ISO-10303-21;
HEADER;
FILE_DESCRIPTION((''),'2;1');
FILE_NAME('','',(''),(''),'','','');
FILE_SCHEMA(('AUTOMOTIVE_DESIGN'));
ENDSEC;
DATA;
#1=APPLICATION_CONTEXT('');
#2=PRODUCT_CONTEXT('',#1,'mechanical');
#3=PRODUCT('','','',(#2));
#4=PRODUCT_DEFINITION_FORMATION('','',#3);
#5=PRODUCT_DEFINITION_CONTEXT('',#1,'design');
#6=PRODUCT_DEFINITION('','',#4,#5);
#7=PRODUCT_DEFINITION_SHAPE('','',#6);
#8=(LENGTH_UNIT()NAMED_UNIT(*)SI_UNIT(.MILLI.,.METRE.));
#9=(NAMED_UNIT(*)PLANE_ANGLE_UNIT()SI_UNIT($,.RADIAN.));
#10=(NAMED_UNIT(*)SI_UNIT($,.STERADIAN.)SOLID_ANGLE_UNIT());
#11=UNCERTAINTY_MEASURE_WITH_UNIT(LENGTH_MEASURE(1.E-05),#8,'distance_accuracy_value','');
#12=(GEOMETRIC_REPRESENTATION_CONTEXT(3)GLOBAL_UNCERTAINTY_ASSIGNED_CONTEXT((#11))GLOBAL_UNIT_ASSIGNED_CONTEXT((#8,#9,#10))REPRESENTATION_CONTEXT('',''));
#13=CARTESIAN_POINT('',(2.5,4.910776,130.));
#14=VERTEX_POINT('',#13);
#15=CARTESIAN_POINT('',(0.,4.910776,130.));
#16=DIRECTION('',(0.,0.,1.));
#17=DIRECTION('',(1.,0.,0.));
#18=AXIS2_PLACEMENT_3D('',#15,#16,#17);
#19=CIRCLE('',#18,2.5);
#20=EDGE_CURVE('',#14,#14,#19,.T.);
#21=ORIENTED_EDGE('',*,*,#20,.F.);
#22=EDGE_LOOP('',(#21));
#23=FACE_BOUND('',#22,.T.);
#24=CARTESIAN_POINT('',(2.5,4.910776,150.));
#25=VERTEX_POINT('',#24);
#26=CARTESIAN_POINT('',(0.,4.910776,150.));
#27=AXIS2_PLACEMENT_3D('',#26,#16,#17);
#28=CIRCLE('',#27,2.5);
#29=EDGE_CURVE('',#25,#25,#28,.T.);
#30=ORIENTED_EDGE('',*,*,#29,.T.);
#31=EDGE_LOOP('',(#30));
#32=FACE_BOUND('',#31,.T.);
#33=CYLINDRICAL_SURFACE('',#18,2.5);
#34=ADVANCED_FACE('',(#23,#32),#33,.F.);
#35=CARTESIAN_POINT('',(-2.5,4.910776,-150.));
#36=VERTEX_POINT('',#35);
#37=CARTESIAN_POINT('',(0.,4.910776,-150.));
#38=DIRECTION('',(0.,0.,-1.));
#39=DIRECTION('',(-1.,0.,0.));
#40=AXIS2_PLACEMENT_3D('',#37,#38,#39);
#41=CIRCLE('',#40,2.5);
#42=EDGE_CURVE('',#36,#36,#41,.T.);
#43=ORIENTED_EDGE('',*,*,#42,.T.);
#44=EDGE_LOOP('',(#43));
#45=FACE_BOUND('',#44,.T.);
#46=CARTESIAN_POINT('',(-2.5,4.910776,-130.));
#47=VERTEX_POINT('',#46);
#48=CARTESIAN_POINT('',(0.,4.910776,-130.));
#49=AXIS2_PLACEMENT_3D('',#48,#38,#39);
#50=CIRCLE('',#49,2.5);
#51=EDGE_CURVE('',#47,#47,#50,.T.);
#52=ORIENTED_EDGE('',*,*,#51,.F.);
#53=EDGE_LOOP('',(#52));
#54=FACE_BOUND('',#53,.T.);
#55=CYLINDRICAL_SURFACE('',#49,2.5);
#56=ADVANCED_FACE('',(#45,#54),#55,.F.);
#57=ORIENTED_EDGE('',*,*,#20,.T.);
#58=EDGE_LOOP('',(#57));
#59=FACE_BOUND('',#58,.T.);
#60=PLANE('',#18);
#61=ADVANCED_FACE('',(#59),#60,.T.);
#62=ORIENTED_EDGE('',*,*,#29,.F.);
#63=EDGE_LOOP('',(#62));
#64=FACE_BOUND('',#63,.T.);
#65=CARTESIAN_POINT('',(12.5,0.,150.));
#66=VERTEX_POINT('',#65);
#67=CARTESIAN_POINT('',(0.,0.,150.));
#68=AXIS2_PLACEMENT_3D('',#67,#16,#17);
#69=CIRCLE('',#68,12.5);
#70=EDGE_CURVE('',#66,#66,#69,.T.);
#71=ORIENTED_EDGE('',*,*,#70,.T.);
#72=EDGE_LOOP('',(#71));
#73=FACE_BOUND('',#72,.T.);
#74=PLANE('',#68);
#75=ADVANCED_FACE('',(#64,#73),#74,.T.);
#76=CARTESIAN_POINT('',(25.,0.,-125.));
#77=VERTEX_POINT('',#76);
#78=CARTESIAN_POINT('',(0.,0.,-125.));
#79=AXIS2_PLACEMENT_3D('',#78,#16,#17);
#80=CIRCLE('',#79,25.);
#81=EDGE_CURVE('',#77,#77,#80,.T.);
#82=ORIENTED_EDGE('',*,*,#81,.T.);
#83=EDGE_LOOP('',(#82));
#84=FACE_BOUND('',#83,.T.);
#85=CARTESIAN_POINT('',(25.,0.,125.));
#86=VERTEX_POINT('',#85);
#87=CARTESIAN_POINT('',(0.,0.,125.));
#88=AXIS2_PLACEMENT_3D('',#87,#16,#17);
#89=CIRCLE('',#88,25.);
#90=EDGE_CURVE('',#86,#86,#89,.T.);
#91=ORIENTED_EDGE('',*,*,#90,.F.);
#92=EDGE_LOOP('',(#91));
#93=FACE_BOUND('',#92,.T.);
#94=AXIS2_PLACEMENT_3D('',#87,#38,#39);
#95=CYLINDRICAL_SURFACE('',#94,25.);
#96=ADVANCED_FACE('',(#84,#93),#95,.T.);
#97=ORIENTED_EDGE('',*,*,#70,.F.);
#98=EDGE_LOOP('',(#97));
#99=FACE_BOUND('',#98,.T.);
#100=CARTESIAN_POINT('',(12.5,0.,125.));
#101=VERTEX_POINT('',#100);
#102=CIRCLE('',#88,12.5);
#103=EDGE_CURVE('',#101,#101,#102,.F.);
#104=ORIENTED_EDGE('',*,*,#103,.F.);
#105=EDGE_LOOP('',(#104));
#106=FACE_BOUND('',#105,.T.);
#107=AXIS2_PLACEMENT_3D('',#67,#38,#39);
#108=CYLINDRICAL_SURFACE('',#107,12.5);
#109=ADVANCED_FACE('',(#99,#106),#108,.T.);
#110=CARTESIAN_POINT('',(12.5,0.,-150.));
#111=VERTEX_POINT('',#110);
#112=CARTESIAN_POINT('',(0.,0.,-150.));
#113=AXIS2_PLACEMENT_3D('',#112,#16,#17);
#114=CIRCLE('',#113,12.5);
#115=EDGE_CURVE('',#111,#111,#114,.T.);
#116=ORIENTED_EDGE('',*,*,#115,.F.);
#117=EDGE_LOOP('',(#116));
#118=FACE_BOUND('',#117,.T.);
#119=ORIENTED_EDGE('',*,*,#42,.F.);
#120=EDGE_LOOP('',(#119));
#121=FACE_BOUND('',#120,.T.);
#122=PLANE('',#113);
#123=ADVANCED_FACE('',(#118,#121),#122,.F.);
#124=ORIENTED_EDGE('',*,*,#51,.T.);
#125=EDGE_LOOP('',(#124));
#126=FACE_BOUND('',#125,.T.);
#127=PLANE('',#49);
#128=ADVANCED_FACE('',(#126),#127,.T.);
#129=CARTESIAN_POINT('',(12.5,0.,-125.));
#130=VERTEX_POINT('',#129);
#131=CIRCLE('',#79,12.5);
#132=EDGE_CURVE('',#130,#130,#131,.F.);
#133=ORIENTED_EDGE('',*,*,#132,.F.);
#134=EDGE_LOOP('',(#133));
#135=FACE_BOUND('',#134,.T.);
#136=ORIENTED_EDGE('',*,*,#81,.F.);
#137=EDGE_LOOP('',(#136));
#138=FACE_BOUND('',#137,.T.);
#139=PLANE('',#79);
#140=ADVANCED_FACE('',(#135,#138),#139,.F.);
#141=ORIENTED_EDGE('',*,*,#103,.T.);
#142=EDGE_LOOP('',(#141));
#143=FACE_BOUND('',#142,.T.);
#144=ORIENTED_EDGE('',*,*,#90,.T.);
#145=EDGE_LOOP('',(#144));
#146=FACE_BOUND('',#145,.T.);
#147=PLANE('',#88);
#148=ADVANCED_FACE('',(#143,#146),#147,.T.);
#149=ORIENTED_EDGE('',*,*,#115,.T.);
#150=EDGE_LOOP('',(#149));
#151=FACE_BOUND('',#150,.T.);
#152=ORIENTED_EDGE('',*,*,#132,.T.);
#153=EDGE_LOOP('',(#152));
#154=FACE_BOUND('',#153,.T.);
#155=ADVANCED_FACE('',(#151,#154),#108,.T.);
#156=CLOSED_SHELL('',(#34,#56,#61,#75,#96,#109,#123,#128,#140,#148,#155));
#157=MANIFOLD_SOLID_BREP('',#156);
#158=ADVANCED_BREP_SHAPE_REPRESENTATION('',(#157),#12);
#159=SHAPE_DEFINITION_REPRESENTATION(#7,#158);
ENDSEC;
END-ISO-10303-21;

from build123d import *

# Parameters (mm, degrees)
SKETCH9_R           = 25
BOSS_EXTRUDE1_DEPTH = 125
SKETCH10_R          = 12.5
BOSS_EXTRUDE4_DEPTH = 150
SKETCH20_R          = 2.5
CUT_EXTRUDE5_DEPTH  = 20
SKETCH19_R          = 2.5
CUT_EXTRUDE6_DEPTH  = 20


with BuildPart() as part:
    # Sketch9 → Boss-Extrude1 (new body, symmetric)
    with BuildSketch(Plane.XY):
        Circle(SKETCH9_R)
    extrude(amount=BOSS_EXTRUDE1_DEPTH, both=True)

    # Sketch10 → Boss-Extrude4 (add, symmetric)
    with BuildSketch(Plane.XY):
        Circle(SKETCH10_R)
    extrude(amount=BOSS_EXTRUDE4_DEPTH, both=True)

    # Sketch20 → Cut-Extrude5 (cut)
    with BuildSketch(Plane(origin=(0, 0, -150), x_dir=(-1, 0, 0), z_dir=(0, 0, -1))):
        with Locations((0, 4.91077603)):
            Circle(SKETCH20_R)
    extrude(amount=-CUT_EXTRUDE5_DEPTH, mode=Mode.SUBTRACT)

    # Sketch19 → Cut-Extrude6 (cut)
    with BuildSketch(Plane.XY.offset(150)):
        with Locations((0, 4.91077603)):
            Circle(SKETCH19_R)
    extrude(amount=-CUT_EXTRUDE6_DEPTH, mode=Mode.SUBTRACT)


solid = part.part
